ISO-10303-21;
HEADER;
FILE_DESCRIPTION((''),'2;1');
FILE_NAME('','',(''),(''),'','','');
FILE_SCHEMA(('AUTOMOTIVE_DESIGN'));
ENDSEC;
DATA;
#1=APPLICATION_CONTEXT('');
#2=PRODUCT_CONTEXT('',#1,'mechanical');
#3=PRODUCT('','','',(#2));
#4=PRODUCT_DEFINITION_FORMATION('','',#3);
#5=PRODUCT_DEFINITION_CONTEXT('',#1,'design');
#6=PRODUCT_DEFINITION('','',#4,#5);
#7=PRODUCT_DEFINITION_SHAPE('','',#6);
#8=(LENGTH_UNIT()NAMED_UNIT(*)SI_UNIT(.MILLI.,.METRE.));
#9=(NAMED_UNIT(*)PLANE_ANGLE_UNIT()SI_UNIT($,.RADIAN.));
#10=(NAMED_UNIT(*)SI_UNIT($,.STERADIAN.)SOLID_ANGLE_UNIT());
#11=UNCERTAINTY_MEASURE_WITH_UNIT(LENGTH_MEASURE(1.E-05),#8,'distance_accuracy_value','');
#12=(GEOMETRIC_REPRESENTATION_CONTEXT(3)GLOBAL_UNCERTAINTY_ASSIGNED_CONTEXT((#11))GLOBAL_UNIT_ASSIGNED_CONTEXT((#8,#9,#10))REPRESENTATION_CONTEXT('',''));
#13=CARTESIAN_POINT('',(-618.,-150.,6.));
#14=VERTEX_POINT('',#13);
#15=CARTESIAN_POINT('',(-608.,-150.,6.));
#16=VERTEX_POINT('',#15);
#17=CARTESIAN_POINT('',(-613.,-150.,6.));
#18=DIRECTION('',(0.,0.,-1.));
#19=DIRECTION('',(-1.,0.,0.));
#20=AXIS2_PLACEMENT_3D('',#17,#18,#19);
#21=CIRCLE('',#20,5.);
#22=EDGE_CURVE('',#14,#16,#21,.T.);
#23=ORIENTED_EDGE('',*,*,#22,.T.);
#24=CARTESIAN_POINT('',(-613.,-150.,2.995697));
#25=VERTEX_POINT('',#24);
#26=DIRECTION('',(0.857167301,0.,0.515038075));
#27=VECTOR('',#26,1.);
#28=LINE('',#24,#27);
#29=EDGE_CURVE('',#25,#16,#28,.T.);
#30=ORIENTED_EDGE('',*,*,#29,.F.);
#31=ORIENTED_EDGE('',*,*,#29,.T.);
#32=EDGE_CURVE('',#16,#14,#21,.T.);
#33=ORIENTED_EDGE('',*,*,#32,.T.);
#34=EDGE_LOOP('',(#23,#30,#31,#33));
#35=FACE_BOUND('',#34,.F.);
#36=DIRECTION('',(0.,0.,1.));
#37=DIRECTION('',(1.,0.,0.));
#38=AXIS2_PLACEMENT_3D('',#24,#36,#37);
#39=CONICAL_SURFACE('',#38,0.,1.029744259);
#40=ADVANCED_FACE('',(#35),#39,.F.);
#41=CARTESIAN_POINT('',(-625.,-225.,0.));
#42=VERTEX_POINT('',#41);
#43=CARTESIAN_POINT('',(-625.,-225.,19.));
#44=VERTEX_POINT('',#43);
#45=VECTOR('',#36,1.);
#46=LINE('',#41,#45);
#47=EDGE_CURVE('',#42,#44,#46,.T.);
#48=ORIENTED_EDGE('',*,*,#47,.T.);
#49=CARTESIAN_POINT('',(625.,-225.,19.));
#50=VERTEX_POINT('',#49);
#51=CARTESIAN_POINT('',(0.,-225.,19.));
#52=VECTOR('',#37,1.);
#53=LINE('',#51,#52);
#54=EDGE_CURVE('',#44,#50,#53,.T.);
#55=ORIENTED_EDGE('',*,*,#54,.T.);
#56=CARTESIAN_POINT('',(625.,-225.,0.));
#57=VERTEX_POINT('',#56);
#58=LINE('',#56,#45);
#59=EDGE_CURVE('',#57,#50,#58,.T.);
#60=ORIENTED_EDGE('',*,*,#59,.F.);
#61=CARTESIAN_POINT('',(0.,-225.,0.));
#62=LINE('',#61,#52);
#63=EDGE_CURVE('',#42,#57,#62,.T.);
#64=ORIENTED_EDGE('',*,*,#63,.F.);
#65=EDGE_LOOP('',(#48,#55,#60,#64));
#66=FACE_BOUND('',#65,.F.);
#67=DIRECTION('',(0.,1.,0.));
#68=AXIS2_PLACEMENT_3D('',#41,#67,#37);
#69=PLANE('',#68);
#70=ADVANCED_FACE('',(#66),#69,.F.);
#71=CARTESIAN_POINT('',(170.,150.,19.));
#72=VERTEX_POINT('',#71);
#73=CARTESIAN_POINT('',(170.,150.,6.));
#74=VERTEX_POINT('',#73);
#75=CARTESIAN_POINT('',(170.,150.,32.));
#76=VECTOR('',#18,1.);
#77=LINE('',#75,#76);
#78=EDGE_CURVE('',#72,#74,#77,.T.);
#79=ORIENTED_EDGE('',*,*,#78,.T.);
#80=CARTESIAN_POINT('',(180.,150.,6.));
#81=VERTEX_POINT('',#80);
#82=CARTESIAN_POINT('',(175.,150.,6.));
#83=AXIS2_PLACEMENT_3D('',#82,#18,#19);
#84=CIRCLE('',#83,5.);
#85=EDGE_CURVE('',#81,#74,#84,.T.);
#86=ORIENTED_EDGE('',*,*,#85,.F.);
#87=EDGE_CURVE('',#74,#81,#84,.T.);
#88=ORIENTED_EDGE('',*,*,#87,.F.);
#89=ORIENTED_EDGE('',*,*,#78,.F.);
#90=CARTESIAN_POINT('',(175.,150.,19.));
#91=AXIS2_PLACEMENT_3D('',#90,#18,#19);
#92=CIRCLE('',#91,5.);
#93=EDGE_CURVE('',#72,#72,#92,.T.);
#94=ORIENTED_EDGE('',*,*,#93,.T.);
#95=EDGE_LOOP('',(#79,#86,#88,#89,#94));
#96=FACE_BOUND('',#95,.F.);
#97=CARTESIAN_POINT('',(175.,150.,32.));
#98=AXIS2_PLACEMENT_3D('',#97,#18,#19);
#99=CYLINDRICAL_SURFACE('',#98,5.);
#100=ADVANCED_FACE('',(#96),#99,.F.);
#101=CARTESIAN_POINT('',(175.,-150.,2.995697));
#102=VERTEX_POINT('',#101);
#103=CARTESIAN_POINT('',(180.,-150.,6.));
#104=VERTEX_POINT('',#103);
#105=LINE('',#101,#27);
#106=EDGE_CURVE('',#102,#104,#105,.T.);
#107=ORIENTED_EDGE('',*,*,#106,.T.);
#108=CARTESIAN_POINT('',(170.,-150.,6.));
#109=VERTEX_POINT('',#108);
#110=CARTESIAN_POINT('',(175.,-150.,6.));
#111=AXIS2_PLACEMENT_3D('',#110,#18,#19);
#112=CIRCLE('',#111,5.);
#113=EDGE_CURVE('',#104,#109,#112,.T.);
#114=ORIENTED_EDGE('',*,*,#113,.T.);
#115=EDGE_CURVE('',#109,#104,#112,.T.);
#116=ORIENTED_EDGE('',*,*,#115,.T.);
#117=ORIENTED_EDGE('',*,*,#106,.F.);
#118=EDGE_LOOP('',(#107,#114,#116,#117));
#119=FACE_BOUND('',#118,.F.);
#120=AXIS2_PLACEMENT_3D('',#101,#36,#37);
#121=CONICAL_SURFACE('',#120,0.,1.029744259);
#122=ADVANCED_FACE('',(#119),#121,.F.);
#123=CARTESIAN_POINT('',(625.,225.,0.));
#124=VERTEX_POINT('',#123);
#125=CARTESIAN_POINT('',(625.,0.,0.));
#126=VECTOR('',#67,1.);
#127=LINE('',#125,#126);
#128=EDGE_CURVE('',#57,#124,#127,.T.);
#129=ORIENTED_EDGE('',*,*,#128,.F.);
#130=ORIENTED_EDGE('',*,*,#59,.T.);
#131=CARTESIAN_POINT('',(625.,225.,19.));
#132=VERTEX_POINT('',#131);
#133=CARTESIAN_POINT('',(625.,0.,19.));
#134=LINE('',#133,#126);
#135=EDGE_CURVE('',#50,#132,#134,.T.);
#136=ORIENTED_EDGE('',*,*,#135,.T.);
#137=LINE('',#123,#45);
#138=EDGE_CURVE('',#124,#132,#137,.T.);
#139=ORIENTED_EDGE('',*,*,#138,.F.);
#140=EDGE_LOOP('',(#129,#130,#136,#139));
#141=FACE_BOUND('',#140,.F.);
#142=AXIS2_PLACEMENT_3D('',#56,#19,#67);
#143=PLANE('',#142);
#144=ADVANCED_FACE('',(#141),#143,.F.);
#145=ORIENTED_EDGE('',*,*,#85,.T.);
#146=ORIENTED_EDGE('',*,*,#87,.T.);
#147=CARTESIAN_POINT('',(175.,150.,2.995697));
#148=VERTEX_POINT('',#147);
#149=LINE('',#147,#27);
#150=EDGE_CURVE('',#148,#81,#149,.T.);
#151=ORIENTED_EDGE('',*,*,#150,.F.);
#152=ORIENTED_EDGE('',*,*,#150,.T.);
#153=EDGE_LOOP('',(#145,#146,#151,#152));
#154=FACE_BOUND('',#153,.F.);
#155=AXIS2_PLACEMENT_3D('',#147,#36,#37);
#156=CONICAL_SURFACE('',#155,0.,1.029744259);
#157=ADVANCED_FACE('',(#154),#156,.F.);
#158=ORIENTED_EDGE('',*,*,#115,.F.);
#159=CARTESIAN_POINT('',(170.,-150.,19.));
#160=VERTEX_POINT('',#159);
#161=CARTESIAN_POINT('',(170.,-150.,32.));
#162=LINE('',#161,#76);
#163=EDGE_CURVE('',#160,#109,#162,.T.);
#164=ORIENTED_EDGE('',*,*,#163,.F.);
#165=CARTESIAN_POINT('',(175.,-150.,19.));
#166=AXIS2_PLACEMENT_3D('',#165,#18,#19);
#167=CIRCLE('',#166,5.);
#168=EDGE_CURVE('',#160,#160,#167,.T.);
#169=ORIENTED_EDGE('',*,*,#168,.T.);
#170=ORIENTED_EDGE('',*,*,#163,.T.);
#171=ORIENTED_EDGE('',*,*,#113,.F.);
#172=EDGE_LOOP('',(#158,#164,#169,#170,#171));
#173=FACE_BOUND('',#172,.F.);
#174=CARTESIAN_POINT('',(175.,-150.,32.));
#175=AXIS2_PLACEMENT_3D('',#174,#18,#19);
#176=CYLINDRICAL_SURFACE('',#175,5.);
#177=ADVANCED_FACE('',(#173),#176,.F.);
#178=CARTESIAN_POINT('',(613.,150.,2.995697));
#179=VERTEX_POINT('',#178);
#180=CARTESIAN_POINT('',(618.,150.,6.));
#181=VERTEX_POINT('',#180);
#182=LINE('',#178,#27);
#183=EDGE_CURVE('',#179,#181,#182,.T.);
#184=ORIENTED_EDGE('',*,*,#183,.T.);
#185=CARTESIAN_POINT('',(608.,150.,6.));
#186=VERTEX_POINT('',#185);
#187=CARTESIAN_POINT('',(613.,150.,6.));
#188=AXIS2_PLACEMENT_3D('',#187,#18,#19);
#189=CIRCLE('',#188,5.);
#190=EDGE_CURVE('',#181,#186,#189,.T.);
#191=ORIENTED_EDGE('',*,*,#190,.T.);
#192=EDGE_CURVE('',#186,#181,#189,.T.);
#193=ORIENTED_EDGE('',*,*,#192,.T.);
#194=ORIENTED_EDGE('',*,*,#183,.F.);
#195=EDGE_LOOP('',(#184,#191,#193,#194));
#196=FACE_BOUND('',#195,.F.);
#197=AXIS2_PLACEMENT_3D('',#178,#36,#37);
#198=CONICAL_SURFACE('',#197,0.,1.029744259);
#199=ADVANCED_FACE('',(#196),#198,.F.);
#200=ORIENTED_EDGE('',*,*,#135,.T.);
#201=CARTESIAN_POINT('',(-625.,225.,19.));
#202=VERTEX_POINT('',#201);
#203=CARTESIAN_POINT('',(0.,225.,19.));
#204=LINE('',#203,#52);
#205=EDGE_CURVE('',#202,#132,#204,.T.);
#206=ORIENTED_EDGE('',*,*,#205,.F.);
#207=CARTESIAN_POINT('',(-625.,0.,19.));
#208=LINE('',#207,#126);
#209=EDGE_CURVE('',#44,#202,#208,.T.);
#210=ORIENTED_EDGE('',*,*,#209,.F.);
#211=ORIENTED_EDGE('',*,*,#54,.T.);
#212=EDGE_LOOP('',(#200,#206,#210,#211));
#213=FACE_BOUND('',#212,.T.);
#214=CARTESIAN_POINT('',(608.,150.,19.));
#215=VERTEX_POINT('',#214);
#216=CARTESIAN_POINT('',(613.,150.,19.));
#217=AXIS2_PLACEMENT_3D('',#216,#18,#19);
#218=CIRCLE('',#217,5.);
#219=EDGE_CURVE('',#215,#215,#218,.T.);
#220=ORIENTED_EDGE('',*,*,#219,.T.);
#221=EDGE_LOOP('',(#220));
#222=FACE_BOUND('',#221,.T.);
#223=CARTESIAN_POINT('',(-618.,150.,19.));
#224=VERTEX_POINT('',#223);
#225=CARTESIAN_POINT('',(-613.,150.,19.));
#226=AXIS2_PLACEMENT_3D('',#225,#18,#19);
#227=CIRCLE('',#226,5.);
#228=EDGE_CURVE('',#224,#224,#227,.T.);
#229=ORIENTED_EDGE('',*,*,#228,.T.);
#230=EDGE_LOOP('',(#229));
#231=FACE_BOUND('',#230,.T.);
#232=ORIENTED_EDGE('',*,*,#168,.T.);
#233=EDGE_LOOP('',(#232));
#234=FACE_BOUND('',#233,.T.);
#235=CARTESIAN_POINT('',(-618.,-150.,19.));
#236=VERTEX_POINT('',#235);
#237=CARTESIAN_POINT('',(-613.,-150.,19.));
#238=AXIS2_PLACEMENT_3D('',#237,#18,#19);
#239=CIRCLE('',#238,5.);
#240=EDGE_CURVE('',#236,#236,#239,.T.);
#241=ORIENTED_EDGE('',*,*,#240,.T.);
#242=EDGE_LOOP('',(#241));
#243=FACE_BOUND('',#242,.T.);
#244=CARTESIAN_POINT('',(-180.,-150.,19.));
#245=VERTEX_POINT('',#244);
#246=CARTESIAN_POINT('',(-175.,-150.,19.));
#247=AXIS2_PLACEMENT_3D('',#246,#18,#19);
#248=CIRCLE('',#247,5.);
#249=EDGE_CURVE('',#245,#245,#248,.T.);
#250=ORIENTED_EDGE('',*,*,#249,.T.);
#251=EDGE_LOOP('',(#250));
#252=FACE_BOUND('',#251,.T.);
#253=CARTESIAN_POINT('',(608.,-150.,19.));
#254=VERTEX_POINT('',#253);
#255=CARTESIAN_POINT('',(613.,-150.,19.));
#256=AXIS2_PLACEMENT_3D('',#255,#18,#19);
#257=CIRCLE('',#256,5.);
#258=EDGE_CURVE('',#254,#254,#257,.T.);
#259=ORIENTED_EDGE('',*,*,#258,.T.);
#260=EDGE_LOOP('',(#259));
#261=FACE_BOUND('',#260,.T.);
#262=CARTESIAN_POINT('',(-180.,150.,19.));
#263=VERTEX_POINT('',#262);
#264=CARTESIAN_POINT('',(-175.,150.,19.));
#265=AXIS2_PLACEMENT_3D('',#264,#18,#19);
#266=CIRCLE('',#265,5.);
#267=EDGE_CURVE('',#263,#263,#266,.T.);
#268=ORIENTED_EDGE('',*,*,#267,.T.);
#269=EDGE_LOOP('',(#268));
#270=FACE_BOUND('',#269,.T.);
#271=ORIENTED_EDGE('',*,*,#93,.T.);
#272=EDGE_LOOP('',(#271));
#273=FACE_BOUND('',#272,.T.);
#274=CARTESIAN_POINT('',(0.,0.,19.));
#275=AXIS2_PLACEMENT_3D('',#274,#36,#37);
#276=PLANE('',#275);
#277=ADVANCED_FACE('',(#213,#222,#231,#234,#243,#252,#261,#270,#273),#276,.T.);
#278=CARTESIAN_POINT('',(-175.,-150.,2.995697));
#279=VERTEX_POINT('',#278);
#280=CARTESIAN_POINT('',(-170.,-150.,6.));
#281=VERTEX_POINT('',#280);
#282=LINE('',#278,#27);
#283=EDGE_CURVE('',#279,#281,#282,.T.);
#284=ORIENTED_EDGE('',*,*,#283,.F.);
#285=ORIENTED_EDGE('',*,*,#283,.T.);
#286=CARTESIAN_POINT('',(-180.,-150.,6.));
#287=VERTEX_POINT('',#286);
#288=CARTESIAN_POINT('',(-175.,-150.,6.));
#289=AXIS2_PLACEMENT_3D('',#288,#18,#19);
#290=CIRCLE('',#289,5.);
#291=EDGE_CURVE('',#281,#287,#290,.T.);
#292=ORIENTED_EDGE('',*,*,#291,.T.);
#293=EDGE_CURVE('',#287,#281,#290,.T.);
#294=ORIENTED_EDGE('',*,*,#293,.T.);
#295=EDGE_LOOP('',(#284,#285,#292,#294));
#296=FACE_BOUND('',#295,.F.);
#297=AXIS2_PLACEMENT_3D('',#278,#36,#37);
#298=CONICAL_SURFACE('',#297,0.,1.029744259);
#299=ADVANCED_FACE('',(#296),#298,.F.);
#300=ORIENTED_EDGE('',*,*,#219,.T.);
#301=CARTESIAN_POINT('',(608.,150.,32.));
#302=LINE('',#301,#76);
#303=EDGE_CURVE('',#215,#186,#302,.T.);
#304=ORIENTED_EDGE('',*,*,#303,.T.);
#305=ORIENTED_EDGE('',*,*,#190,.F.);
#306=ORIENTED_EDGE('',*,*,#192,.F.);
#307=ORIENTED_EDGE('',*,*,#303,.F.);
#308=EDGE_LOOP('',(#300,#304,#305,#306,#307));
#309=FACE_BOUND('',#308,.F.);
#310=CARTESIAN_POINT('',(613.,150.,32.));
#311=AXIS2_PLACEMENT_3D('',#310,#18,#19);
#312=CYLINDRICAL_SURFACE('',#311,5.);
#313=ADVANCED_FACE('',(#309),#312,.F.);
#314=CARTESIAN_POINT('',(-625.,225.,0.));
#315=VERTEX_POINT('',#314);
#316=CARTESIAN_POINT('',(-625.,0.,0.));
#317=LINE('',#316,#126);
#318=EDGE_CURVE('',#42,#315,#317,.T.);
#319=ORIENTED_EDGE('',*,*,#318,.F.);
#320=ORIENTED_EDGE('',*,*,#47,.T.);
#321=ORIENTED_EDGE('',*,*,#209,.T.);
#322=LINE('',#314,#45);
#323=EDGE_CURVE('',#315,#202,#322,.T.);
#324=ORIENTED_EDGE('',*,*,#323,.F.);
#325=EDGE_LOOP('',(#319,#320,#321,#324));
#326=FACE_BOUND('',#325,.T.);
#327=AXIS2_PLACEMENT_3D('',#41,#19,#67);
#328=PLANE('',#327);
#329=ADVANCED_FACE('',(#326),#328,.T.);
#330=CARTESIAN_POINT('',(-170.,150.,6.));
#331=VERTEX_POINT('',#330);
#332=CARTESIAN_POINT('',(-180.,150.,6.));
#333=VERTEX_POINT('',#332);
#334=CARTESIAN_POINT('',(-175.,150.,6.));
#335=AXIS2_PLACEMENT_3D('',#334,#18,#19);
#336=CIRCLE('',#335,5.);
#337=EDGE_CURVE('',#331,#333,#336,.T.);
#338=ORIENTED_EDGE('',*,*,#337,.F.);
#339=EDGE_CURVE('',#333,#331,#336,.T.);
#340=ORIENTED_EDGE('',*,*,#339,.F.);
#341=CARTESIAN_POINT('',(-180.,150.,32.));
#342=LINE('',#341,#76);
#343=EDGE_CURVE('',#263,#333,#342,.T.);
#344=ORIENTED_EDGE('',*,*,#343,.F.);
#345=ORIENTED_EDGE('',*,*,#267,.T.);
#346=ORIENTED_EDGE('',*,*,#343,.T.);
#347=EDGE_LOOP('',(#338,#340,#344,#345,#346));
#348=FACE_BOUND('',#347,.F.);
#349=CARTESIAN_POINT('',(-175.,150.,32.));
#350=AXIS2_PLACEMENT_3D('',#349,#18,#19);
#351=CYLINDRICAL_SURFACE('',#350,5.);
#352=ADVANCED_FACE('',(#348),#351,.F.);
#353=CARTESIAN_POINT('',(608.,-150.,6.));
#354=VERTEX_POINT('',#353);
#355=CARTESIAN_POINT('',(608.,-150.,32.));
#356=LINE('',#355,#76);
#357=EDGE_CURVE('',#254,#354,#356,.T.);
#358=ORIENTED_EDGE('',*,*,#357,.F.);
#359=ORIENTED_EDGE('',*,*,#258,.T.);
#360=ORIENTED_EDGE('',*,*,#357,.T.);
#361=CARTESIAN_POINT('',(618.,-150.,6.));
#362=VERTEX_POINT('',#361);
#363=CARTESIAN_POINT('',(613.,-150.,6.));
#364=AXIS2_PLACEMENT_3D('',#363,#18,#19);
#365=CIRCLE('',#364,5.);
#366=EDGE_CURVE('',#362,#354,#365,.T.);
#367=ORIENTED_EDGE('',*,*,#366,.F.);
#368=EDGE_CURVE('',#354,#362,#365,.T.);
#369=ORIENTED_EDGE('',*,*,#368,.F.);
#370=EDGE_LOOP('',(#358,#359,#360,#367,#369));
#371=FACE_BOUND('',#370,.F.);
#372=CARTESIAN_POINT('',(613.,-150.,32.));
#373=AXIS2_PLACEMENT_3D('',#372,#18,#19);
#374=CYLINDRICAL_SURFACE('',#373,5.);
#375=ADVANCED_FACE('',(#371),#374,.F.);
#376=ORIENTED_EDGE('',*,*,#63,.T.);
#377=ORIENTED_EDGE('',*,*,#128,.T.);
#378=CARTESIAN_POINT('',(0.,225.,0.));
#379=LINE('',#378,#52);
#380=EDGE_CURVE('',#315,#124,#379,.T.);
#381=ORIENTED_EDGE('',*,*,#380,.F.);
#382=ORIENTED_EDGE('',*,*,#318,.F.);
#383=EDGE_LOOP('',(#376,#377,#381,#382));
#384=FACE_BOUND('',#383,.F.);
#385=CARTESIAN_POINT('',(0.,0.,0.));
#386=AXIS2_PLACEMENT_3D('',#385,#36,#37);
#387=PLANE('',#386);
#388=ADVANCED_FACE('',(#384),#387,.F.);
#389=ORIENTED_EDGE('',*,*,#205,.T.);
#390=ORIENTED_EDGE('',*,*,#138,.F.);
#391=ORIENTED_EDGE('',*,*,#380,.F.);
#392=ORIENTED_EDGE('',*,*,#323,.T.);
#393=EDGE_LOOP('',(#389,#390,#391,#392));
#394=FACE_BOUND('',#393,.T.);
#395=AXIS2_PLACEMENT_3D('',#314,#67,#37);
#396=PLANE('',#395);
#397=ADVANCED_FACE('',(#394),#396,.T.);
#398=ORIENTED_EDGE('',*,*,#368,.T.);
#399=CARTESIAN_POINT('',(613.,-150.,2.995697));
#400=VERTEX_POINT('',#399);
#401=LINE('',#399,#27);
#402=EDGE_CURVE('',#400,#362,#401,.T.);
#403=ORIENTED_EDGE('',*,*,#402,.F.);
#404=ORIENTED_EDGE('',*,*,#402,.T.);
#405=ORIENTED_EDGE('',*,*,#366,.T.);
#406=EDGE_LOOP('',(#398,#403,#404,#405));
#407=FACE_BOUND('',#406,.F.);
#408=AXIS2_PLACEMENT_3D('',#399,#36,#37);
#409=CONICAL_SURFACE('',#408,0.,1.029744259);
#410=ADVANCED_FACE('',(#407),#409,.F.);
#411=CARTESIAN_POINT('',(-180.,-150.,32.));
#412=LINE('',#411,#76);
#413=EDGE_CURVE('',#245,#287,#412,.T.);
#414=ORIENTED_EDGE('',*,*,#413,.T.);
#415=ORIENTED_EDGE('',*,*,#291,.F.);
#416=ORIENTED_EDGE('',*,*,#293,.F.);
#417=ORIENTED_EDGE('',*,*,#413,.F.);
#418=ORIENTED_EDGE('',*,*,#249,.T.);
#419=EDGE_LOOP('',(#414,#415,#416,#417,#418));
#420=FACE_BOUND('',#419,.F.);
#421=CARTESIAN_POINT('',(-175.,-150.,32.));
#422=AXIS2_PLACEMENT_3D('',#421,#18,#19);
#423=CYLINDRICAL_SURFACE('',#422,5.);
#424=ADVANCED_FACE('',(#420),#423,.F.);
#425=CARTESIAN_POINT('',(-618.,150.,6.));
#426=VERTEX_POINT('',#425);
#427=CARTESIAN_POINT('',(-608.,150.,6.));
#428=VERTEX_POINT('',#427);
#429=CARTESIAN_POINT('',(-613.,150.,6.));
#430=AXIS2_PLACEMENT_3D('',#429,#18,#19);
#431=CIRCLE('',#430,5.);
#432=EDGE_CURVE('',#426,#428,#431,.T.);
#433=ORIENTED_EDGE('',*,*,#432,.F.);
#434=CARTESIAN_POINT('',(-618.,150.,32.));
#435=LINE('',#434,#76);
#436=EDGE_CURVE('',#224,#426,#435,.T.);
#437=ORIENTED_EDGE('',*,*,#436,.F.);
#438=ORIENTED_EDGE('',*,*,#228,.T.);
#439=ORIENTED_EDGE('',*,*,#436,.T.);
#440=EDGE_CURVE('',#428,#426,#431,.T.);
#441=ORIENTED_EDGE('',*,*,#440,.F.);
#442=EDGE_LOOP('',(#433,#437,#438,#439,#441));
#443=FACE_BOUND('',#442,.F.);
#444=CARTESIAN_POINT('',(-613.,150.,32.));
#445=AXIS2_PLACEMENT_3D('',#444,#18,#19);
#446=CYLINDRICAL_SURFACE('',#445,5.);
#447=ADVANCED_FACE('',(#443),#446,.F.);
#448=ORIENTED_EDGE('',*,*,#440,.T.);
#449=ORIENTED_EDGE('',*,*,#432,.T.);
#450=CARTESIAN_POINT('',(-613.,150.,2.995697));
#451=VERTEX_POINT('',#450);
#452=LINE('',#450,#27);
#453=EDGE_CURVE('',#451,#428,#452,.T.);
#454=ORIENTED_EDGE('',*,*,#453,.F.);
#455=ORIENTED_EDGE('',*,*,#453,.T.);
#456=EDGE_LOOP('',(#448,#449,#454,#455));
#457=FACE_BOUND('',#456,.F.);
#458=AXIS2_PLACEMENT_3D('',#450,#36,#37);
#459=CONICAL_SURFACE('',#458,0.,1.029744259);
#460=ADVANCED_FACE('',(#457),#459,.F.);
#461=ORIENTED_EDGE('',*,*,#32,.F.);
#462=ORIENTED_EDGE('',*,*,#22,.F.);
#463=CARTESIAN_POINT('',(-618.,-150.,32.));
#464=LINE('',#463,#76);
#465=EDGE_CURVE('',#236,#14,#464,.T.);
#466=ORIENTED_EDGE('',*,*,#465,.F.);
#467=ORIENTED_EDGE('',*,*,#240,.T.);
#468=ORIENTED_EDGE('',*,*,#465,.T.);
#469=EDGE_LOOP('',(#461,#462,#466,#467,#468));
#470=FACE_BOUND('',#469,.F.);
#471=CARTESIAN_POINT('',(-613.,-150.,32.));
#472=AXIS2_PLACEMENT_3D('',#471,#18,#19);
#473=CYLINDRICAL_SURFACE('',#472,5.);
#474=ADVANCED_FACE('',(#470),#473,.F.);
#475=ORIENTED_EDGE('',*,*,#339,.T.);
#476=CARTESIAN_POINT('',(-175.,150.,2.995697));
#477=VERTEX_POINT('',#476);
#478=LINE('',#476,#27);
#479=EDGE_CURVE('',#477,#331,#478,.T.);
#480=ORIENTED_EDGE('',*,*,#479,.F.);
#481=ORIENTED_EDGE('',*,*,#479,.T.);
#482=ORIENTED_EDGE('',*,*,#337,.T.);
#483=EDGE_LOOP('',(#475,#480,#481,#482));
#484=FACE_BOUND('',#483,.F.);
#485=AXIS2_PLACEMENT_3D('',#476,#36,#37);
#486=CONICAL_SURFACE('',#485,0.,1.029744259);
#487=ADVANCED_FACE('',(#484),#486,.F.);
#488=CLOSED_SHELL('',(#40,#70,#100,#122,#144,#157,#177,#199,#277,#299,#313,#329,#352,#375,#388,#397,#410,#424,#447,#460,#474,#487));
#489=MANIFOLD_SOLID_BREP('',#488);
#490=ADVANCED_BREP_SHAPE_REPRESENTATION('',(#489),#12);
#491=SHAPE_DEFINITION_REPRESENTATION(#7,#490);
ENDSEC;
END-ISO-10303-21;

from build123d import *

# Parameters (mm, degrees)
F0_W     = 1250
F0_H     = 450
F1_DEPTH = 19
F3_D     = 10
F3_DEPTH = 13
F3_TIP   = 3.0043030951


with BuildPart() as f1:
    # F0 (on Top) → F1 (new body)
    with BuildSketch(Plane.XY):
        Rectangle(F0_W, F0_H)
    extrude(amount=F1_DEPTH)

    # F3
    with Locations(Plane.XY.offset(19)):
        with Locations((-613, 150), (-175, 150), (175, 150), (613, 150), (613, -150), (175, -150), (-175, -150), (-613, -150)):
            Hole(F3_D / 2, depth=F3_DEPTH)
            with Locations((0, 0, -(F3_DEPTH + F3_TIP / 2))):  # 118° drill point
                Cone(0, F3_D / 2, F3_TIP, mode=Mode.SUBTRACT)


solid = f1.part
